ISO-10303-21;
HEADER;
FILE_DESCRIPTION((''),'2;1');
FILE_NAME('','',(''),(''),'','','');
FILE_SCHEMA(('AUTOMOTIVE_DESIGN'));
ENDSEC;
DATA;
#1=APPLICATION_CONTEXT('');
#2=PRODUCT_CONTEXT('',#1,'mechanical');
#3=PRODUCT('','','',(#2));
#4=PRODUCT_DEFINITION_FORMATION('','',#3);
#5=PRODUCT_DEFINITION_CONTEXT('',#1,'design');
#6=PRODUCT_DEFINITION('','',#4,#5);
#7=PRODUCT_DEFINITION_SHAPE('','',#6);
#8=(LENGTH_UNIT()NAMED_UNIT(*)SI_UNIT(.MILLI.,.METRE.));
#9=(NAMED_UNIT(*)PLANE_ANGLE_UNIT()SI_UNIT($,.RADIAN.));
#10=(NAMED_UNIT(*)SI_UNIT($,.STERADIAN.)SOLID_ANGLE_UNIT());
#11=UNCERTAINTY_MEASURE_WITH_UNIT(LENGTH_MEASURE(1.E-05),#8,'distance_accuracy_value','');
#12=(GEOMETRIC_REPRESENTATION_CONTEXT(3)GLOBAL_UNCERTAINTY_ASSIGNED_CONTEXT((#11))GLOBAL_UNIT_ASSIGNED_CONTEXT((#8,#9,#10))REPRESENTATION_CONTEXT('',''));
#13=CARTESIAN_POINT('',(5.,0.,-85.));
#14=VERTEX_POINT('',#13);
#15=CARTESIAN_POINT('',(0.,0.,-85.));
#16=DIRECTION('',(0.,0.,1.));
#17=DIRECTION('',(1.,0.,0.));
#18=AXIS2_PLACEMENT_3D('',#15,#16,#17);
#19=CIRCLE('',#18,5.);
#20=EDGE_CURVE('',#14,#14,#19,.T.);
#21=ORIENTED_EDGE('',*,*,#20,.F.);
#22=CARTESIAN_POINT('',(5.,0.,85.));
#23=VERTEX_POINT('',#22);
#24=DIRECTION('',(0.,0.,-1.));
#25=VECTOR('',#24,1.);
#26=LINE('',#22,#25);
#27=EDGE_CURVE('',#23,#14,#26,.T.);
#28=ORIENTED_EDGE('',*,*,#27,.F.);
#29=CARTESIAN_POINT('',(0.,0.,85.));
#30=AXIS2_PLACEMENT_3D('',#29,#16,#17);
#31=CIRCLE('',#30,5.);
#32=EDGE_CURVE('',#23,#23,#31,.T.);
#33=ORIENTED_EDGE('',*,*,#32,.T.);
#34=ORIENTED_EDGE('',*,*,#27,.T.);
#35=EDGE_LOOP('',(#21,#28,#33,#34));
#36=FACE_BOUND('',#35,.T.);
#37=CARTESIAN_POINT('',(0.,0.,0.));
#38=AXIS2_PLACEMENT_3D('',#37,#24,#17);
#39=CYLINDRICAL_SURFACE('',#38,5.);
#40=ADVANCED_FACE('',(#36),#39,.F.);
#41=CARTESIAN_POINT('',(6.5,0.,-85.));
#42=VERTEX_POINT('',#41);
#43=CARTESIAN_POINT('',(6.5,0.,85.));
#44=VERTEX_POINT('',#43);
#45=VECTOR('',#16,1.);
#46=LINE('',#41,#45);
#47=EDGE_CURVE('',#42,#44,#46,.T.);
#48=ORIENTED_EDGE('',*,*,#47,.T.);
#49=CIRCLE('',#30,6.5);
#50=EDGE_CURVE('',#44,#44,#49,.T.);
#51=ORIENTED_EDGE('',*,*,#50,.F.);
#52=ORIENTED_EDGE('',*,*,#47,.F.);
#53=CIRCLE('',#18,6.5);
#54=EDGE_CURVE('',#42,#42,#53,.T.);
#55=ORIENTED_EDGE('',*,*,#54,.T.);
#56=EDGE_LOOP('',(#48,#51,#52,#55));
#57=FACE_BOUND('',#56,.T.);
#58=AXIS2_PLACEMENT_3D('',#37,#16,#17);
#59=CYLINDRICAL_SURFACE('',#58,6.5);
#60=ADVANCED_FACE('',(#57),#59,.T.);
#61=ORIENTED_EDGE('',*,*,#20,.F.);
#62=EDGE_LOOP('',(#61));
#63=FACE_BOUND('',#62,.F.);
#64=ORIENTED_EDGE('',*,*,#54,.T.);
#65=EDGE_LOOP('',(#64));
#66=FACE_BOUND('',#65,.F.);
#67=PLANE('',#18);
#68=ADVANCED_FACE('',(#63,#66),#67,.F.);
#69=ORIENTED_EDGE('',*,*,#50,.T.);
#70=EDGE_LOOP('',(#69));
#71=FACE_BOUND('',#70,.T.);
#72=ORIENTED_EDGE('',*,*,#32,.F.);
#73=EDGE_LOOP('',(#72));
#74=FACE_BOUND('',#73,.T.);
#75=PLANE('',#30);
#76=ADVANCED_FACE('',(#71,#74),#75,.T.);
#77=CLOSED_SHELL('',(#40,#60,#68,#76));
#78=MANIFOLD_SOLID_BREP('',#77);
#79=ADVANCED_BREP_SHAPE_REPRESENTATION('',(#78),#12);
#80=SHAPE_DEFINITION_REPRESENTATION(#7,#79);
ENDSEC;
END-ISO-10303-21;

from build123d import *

# Parameters (mm, degrees)
CROQUIS1_R              = 6.5
CROQUIS1_R_2            = 5
SALIENTE_EXTRUIR1_DEPTH = 85


with BuildPart() as part:
    # Croquis1 → Saliente-Extruir1 (new body, symmetric)
    with BuildSketch(Plane.XY):
        Circle(CROQUIS1_R)
        Circle(CROQUIS1_R_2, mode=Mode.SUBTRACT)
    extrude(amount=SALIENTE_EXTRUIR1_DEPTH, both=True)


solid = part.part
